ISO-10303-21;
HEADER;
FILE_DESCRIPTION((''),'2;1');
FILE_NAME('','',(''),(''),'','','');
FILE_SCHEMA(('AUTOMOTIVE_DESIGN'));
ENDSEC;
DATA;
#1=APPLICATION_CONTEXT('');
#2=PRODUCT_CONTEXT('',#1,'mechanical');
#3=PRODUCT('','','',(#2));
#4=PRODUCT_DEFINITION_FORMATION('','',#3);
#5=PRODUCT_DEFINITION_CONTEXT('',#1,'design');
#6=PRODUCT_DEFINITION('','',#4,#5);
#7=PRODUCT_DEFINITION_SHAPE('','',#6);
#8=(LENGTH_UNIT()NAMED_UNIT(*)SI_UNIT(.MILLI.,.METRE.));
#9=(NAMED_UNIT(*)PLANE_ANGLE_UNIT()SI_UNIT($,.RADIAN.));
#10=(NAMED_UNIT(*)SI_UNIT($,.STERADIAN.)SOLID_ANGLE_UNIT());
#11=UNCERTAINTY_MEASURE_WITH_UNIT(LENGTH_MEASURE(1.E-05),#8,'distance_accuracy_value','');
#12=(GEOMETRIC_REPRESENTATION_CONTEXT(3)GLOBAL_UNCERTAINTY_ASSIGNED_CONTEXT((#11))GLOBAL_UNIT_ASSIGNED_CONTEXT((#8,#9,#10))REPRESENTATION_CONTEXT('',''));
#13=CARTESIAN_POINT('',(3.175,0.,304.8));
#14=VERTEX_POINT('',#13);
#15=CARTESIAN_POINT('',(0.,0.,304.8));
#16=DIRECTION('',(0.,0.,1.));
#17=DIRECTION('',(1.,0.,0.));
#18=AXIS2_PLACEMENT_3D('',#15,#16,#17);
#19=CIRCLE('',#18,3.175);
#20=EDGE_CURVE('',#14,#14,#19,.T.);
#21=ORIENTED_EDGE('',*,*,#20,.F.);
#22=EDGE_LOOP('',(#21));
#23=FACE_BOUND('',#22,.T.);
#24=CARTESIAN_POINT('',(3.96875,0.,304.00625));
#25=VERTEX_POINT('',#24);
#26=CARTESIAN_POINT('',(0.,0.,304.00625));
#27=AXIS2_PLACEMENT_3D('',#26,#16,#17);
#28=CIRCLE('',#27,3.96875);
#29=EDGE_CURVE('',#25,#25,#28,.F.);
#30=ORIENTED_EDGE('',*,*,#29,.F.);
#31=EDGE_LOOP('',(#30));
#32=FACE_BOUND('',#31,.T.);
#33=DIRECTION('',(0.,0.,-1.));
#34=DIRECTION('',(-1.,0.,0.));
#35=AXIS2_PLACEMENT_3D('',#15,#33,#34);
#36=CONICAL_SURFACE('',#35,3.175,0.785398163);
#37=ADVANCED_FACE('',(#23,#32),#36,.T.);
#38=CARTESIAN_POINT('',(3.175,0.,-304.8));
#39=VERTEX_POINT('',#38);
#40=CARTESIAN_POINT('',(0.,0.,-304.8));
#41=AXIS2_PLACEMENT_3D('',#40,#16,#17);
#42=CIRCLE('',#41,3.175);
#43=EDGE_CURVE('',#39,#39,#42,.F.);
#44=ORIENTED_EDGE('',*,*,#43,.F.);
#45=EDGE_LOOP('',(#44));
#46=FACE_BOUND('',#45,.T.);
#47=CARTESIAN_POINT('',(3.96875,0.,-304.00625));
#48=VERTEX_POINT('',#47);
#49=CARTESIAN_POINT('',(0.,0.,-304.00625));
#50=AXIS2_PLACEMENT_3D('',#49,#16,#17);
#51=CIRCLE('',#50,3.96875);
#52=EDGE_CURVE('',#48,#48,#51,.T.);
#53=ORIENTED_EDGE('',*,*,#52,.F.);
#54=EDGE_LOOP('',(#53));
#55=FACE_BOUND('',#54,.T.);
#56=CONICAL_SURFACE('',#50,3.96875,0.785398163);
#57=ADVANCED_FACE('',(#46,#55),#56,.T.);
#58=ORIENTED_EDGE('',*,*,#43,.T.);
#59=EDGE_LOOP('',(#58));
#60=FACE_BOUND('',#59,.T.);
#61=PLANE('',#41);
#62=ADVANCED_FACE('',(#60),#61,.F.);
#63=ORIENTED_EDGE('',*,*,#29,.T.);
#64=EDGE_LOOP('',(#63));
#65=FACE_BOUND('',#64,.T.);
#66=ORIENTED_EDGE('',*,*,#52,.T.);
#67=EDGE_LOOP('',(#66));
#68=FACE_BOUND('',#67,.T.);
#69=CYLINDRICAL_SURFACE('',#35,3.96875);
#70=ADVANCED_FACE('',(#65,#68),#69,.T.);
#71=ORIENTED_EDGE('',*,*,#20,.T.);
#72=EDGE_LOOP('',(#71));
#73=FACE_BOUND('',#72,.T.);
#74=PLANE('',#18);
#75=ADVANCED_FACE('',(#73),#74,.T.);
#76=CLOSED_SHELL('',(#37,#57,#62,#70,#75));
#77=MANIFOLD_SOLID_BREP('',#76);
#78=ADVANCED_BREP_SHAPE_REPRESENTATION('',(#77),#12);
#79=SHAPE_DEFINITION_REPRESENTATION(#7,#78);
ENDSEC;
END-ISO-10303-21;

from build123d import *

# Parameters (mm, degrees)
SKETCH3_R           = 3.96875
BOSS_EXTRUDE1_DEPTH = 304.8
CHAMFER1_SIZE       = 0.79375


with BuildPart() as part:
    # Sketch3 → Boss-Extrude1 (new body, symmetric)
    with BuildSketch(Plane.XY):
        Circle(SKETCH3_R)
    extrude(amount=BOSS_EXTRUDE1_DEPTH, both=True)

    # Chamfer1
    chamfer1_edges = [part.edges().sort_by_distance(p)[0] for p in [
        (-3.96875, 0, -304.8),
        (-3.96875, 0, 304.8),
    ]]
    chamfer(chamfer1_edges, length=CHAMFER1_SIZE)


solid = part.part
